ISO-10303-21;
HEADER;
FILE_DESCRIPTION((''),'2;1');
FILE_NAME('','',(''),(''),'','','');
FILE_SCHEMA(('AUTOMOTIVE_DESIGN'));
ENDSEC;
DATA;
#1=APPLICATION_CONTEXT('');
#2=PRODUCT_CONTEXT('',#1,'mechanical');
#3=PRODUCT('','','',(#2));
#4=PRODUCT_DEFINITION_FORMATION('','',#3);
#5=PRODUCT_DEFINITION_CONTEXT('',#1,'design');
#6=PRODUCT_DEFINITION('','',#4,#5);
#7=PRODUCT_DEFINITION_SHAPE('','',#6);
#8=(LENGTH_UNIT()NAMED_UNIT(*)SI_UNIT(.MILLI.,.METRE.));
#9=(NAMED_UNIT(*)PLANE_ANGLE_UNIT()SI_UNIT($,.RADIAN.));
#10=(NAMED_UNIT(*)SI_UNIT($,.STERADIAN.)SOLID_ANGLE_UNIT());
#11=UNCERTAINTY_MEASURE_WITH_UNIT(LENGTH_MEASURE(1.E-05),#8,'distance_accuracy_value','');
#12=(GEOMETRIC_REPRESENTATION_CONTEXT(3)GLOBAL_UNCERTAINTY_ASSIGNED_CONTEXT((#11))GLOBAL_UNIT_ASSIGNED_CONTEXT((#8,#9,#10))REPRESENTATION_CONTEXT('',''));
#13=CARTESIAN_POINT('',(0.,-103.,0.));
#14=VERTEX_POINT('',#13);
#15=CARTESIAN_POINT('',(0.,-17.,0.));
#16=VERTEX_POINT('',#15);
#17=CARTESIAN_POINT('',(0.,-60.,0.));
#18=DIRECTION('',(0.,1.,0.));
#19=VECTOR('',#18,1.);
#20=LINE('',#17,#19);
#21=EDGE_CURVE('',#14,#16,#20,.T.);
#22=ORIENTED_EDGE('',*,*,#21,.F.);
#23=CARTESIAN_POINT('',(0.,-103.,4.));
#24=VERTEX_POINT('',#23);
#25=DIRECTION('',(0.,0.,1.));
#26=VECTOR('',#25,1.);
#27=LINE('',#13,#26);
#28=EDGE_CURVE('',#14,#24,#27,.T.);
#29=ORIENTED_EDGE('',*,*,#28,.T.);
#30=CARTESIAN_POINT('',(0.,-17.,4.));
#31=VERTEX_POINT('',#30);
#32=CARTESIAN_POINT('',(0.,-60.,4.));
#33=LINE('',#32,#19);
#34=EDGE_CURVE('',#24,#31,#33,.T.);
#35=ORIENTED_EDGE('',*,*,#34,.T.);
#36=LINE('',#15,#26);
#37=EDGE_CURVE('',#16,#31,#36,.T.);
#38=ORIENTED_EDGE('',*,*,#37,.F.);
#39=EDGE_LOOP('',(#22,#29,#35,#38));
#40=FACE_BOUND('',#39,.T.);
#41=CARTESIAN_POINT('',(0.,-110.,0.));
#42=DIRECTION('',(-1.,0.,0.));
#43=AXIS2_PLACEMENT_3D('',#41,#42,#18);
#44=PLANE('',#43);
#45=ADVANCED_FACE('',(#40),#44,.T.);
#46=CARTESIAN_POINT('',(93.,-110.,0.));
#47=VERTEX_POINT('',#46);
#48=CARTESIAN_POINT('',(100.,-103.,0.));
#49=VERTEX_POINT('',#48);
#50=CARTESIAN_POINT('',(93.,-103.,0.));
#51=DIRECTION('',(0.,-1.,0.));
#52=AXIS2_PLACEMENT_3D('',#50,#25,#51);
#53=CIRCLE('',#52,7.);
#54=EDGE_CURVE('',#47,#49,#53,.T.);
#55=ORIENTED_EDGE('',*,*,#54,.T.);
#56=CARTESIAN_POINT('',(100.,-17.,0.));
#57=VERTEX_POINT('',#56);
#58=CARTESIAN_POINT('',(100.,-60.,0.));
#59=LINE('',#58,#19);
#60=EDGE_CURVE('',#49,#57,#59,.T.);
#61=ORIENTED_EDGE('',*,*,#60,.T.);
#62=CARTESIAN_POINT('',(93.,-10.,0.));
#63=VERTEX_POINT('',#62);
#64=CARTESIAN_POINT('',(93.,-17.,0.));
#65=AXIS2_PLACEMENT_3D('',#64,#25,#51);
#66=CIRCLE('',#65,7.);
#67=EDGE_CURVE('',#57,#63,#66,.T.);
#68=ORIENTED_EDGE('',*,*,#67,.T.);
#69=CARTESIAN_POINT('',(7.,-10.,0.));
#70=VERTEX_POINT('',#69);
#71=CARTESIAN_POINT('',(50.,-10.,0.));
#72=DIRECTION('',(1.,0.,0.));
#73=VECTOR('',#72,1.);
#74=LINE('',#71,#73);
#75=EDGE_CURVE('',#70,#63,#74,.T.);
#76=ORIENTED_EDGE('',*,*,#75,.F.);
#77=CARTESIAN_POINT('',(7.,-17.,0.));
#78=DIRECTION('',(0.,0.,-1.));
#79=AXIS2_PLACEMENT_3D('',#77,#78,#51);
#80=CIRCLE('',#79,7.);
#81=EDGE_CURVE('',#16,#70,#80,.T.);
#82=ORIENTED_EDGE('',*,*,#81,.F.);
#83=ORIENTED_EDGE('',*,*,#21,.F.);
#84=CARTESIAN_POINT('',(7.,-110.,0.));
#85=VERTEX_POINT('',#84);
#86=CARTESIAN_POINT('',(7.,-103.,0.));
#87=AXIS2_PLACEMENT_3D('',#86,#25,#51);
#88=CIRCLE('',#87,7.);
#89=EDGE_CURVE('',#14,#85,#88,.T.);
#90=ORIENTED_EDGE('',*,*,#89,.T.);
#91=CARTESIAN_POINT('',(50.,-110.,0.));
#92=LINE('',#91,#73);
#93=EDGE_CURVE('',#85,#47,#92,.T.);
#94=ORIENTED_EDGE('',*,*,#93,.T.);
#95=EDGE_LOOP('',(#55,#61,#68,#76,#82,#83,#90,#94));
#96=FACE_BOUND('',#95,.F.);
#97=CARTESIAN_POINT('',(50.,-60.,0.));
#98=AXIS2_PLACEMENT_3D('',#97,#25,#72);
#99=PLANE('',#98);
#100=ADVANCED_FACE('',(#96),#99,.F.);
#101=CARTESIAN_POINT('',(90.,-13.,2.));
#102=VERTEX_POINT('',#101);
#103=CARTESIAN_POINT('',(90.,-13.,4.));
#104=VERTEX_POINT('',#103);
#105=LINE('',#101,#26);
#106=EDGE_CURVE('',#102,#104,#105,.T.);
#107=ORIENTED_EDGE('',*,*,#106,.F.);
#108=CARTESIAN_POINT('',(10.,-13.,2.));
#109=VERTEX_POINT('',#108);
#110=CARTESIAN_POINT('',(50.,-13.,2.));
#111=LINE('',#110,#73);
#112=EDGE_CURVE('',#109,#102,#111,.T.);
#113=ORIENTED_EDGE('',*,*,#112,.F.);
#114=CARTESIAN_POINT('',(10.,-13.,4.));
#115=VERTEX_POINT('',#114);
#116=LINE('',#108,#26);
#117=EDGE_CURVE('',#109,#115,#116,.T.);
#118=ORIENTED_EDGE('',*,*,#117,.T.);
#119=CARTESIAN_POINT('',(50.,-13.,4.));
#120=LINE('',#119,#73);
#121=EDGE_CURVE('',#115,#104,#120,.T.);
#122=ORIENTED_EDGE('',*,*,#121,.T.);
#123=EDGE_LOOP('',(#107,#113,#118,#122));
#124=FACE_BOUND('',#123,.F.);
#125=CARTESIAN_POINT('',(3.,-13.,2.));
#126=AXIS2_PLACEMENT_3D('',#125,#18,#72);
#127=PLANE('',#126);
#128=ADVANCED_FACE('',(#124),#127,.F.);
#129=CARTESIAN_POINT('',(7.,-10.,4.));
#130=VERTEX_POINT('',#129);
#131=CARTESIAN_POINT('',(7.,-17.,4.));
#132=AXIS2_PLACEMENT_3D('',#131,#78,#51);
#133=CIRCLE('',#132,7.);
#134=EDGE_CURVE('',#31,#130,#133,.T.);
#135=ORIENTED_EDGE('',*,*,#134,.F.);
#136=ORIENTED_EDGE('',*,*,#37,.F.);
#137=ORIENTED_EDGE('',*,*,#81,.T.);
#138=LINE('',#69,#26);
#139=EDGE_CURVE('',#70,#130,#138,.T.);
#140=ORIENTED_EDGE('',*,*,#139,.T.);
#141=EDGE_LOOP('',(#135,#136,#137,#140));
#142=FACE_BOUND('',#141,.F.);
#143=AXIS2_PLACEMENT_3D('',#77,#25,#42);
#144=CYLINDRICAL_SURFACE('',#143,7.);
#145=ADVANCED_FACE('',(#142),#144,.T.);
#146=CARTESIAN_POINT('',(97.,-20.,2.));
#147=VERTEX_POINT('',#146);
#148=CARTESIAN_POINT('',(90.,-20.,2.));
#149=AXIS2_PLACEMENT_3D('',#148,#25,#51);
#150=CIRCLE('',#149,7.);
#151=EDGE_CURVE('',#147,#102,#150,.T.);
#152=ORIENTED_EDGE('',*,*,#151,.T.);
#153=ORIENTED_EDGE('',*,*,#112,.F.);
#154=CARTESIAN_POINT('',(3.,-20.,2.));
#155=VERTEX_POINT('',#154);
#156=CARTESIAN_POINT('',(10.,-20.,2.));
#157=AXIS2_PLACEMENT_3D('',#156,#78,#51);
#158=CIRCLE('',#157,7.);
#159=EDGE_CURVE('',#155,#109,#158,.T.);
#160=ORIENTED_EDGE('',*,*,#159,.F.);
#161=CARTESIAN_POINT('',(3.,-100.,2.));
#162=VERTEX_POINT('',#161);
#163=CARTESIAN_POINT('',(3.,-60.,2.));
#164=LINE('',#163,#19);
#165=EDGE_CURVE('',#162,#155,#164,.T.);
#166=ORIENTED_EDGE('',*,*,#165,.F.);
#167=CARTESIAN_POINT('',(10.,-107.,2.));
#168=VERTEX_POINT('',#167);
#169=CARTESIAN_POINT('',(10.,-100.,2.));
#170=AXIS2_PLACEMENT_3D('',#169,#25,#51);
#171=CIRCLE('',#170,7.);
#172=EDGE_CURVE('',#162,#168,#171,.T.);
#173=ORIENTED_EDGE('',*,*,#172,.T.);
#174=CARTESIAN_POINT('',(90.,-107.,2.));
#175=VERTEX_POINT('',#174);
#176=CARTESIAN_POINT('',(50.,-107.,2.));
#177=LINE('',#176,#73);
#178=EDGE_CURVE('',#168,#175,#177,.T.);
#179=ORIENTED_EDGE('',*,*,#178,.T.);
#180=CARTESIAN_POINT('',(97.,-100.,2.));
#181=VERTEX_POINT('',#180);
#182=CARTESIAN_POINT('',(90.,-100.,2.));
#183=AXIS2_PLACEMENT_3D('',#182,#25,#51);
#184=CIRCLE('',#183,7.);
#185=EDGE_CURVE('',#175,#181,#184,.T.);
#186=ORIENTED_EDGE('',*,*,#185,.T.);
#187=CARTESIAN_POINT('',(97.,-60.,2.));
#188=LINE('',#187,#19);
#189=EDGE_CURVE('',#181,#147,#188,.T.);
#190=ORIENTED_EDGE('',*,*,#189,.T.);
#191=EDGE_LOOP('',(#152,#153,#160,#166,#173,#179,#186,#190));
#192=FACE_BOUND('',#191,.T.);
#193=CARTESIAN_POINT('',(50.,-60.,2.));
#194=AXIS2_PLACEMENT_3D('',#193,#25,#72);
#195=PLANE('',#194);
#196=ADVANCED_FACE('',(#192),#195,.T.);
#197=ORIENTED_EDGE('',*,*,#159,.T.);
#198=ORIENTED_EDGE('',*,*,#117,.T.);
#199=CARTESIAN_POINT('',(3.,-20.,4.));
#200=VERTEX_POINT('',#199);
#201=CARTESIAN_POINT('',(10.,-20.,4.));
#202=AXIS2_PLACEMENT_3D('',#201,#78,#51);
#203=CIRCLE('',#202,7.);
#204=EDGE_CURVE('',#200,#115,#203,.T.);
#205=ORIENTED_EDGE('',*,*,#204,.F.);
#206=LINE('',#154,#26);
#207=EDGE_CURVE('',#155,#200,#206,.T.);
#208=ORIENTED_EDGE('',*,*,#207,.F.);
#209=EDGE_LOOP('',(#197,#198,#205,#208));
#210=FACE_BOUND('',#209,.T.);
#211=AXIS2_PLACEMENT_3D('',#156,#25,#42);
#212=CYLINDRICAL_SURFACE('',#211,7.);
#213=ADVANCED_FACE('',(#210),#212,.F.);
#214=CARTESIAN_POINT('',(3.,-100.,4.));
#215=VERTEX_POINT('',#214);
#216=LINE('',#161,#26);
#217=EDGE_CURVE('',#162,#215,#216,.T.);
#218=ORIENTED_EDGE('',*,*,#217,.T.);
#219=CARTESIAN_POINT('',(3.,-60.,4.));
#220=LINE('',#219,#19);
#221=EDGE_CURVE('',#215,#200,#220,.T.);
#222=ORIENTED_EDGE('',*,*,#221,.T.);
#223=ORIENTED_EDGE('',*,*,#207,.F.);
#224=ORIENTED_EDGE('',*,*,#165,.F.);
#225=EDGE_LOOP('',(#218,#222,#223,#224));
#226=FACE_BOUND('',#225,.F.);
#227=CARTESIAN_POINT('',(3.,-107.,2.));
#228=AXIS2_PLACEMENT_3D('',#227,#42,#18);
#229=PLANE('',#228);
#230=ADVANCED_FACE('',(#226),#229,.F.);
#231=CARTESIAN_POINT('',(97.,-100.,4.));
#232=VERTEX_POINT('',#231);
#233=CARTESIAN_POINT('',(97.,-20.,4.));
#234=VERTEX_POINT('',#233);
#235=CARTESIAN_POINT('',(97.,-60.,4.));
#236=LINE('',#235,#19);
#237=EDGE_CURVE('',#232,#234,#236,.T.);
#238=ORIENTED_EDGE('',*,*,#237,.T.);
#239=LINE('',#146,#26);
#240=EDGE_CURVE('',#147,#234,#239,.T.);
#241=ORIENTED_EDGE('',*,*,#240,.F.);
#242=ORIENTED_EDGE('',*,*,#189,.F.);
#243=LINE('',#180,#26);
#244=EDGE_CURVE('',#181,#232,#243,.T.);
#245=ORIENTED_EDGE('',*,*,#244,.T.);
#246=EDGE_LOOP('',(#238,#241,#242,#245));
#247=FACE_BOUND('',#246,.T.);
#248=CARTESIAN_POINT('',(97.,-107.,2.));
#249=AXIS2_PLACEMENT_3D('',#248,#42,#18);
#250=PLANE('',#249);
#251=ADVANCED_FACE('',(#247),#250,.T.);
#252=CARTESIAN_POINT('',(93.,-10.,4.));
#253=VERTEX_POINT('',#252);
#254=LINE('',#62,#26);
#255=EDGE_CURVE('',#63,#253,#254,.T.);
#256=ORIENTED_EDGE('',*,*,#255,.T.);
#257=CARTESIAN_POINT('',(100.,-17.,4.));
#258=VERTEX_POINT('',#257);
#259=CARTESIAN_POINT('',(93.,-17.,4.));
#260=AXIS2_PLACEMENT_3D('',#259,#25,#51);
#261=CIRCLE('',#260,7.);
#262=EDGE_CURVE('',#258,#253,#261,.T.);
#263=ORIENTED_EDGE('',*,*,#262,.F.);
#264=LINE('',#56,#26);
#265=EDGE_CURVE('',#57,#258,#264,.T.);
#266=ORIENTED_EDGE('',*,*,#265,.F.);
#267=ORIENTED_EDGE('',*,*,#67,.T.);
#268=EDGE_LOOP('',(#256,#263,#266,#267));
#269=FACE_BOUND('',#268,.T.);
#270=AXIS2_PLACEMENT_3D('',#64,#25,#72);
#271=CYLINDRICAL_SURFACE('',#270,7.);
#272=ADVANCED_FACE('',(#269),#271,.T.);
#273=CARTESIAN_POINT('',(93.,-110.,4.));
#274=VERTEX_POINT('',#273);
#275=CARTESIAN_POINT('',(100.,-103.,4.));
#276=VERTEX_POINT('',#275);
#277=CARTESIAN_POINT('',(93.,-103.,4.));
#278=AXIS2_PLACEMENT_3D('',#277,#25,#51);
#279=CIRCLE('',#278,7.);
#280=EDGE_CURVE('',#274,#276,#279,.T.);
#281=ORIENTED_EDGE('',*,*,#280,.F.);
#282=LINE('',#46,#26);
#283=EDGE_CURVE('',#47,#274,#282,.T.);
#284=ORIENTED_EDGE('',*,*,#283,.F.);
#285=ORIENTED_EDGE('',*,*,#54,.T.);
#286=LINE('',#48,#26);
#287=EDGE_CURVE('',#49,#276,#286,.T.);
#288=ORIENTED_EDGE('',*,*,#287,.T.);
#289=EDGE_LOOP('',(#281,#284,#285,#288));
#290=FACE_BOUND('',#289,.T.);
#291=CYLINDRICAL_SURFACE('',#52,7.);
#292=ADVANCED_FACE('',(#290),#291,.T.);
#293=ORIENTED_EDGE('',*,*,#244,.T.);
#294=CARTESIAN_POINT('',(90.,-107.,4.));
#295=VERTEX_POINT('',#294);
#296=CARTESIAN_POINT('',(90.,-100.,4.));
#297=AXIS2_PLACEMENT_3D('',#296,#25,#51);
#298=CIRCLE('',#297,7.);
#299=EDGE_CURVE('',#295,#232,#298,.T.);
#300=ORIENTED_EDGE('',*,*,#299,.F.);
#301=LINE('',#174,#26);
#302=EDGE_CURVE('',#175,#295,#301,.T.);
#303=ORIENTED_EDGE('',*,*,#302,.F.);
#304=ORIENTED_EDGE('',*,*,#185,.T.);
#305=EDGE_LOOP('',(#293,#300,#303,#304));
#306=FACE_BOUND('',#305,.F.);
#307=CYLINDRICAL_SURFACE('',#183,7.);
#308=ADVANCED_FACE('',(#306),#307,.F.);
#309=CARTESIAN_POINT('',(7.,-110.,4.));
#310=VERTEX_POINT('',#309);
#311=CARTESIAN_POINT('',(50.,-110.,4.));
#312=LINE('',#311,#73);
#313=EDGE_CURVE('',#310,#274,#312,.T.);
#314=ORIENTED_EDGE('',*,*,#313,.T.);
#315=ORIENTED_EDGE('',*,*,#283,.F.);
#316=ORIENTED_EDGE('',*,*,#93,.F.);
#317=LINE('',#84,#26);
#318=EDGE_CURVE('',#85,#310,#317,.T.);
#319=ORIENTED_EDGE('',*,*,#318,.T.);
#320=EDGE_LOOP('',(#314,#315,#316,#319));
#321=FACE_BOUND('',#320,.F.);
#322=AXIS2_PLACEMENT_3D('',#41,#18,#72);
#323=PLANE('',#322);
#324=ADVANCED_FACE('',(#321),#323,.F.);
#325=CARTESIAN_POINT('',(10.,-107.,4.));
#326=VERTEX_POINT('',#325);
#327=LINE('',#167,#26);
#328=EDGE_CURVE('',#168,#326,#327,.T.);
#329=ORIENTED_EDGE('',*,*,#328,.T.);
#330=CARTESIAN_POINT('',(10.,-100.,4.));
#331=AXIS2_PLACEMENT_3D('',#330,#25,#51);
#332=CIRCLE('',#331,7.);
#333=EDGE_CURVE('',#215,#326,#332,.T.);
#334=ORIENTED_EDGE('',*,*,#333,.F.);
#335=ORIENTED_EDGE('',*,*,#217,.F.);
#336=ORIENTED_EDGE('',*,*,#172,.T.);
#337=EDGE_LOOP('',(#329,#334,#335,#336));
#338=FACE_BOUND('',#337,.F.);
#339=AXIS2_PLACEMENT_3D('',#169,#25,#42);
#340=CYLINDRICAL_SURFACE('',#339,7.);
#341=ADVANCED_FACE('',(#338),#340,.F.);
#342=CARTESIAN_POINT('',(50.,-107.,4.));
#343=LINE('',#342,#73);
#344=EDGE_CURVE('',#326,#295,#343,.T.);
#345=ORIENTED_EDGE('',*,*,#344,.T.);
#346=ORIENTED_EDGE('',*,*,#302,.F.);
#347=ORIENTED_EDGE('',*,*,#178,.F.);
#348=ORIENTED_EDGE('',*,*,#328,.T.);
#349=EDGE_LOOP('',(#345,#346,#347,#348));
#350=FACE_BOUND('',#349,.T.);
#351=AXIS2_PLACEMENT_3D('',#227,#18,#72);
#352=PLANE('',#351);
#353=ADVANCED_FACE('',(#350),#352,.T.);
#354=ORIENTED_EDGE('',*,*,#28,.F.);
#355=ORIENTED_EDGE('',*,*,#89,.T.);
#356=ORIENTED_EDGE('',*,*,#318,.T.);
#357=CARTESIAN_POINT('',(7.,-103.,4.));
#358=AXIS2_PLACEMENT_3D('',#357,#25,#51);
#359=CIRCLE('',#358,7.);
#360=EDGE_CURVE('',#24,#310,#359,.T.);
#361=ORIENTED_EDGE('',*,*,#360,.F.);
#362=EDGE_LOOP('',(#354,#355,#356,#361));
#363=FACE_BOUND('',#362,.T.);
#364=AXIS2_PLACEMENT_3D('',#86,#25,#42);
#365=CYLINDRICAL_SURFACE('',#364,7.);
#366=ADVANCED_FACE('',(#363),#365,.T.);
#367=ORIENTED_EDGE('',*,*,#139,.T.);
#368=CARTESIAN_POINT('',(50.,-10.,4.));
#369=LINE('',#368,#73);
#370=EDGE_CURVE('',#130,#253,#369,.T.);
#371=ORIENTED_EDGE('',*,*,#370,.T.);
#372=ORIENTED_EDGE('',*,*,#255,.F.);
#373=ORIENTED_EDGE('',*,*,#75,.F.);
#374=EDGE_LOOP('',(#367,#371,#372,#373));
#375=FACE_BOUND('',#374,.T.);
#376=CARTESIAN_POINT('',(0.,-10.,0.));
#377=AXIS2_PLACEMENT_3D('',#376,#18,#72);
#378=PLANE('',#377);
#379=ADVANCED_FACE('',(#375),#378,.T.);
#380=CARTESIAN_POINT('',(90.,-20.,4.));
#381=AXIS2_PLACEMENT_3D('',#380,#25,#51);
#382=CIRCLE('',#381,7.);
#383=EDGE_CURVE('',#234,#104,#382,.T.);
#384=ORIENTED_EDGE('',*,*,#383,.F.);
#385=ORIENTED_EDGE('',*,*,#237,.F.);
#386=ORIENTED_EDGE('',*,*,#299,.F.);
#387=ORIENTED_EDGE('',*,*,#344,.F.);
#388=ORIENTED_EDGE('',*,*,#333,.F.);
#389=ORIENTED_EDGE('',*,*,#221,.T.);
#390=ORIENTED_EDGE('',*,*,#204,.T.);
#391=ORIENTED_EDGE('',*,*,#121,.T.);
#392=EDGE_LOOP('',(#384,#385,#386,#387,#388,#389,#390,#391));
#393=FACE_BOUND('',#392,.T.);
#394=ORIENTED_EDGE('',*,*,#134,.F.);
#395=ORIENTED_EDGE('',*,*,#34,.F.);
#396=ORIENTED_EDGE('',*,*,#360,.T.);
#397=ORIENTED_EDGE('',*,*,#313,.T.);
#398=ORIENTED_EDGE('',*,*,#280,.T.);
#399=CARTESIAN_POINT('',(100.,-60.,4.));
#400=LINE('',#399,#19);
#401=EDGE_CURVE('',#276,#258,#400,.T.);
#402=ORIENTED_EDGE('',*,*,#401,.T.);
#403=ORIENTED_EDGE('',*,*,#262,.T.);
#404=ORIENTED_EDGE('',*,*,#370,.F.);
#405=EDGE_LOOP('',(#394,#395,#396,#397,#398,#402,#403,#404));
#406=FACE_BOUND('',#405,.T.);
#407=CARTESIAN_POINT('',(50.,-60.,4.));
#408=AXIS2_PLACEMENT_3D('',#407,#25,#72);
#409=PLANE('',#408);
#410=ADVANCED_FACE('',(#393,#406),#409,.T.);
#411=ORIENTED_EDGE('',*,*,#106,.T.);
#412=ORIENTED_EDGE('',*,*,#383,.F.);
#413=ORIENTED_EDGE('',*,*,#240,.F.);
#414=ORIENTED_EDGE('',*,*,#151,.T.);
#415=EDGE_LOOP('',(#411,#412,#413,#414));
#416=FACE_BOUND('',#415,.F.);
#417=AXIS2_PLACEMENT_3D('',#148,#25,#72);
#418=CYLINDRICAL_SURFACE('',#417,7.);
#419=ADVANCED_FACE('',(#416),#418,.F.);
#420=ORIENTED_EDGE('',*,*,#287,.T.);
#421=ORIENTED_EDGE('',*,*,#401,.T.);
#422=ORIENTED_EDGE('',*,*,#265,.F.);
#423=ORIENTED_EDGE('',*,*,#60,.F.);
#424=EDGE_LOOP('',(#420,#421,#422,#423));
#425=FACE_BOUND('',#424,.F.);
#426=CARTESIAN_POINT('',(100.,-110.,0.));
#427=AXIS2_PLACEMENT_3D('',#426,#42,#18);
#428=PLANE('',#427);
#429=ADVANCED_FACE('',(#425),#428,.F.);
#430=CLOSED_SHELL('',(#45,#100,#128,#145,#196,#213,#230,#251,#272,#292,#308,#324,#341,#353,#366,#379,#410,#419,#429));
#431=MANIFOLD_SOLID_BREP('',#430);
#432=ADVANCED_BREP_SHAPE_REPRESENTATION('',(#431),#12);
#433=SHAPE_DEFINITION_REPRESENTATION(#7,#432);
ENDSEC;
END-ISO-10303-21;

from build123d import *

# Parameters (mm, degrees)
BOX012_W     = 94
BOX012_H     = 94
BOX012_DEPTH = 2
FILLET013_R  = 7
BOX011_W     = 100
BOX011_H     = 100
BOX011_DEPTH = 4
FILLET012_R  = 7


with BuildPart() as top_with_fillets005:
    # Box012 → Box012 (new body)
    with BuildSketch(Plane(origin=(3, 3, 2), x_dir=(1, 0, 0), z_dir=(0, 0, 1))):
        with Locations((47, 47)):
            Rectangle(BOX012_W, BOX012_H)
    extrude(amount=BOX012_DEPTH)

    # Fillet013
    fillet013_edges = [top_with_fillets005.edges().sort_by_distance(p)[0] for p in [
        (3, 3, 3),
        (3, 97, 3),
        (97, 3, 3),
        (97, 97, 3),
    ]]
    fillet(fillet013_edges, radius=FILLET013_R)


with BuildPart() as lid:
    # Box011 → Box011 (new body)
    with BuildSketch(Plane.XY):
        with Locations((50, 50)):
            Rectangle(BOX011_W, BOX011_H)
    extrude(amount=BOX011_DEPTH)

    # Fillet012
    fillet012_edges = [lid.edges().sort_by_distance(p)[0] for p in [
        (0, 0, 2),
        (0, 100, 2),
        (100, 0, 2),
        (100, 100, 2),
    ]]
    fillet(fillet012_edges, radius=FILLET012_R)

    # Cut004: cut Top with fillets005
    add(top_with_fillets005.part, mode=Mode.SUBTRACT)


with BuildPart() as lid_1:
    # Cut004 placement: moved
    add(lid.part.moved(Location((0, -110, 0))))


solid = lid_1.part
